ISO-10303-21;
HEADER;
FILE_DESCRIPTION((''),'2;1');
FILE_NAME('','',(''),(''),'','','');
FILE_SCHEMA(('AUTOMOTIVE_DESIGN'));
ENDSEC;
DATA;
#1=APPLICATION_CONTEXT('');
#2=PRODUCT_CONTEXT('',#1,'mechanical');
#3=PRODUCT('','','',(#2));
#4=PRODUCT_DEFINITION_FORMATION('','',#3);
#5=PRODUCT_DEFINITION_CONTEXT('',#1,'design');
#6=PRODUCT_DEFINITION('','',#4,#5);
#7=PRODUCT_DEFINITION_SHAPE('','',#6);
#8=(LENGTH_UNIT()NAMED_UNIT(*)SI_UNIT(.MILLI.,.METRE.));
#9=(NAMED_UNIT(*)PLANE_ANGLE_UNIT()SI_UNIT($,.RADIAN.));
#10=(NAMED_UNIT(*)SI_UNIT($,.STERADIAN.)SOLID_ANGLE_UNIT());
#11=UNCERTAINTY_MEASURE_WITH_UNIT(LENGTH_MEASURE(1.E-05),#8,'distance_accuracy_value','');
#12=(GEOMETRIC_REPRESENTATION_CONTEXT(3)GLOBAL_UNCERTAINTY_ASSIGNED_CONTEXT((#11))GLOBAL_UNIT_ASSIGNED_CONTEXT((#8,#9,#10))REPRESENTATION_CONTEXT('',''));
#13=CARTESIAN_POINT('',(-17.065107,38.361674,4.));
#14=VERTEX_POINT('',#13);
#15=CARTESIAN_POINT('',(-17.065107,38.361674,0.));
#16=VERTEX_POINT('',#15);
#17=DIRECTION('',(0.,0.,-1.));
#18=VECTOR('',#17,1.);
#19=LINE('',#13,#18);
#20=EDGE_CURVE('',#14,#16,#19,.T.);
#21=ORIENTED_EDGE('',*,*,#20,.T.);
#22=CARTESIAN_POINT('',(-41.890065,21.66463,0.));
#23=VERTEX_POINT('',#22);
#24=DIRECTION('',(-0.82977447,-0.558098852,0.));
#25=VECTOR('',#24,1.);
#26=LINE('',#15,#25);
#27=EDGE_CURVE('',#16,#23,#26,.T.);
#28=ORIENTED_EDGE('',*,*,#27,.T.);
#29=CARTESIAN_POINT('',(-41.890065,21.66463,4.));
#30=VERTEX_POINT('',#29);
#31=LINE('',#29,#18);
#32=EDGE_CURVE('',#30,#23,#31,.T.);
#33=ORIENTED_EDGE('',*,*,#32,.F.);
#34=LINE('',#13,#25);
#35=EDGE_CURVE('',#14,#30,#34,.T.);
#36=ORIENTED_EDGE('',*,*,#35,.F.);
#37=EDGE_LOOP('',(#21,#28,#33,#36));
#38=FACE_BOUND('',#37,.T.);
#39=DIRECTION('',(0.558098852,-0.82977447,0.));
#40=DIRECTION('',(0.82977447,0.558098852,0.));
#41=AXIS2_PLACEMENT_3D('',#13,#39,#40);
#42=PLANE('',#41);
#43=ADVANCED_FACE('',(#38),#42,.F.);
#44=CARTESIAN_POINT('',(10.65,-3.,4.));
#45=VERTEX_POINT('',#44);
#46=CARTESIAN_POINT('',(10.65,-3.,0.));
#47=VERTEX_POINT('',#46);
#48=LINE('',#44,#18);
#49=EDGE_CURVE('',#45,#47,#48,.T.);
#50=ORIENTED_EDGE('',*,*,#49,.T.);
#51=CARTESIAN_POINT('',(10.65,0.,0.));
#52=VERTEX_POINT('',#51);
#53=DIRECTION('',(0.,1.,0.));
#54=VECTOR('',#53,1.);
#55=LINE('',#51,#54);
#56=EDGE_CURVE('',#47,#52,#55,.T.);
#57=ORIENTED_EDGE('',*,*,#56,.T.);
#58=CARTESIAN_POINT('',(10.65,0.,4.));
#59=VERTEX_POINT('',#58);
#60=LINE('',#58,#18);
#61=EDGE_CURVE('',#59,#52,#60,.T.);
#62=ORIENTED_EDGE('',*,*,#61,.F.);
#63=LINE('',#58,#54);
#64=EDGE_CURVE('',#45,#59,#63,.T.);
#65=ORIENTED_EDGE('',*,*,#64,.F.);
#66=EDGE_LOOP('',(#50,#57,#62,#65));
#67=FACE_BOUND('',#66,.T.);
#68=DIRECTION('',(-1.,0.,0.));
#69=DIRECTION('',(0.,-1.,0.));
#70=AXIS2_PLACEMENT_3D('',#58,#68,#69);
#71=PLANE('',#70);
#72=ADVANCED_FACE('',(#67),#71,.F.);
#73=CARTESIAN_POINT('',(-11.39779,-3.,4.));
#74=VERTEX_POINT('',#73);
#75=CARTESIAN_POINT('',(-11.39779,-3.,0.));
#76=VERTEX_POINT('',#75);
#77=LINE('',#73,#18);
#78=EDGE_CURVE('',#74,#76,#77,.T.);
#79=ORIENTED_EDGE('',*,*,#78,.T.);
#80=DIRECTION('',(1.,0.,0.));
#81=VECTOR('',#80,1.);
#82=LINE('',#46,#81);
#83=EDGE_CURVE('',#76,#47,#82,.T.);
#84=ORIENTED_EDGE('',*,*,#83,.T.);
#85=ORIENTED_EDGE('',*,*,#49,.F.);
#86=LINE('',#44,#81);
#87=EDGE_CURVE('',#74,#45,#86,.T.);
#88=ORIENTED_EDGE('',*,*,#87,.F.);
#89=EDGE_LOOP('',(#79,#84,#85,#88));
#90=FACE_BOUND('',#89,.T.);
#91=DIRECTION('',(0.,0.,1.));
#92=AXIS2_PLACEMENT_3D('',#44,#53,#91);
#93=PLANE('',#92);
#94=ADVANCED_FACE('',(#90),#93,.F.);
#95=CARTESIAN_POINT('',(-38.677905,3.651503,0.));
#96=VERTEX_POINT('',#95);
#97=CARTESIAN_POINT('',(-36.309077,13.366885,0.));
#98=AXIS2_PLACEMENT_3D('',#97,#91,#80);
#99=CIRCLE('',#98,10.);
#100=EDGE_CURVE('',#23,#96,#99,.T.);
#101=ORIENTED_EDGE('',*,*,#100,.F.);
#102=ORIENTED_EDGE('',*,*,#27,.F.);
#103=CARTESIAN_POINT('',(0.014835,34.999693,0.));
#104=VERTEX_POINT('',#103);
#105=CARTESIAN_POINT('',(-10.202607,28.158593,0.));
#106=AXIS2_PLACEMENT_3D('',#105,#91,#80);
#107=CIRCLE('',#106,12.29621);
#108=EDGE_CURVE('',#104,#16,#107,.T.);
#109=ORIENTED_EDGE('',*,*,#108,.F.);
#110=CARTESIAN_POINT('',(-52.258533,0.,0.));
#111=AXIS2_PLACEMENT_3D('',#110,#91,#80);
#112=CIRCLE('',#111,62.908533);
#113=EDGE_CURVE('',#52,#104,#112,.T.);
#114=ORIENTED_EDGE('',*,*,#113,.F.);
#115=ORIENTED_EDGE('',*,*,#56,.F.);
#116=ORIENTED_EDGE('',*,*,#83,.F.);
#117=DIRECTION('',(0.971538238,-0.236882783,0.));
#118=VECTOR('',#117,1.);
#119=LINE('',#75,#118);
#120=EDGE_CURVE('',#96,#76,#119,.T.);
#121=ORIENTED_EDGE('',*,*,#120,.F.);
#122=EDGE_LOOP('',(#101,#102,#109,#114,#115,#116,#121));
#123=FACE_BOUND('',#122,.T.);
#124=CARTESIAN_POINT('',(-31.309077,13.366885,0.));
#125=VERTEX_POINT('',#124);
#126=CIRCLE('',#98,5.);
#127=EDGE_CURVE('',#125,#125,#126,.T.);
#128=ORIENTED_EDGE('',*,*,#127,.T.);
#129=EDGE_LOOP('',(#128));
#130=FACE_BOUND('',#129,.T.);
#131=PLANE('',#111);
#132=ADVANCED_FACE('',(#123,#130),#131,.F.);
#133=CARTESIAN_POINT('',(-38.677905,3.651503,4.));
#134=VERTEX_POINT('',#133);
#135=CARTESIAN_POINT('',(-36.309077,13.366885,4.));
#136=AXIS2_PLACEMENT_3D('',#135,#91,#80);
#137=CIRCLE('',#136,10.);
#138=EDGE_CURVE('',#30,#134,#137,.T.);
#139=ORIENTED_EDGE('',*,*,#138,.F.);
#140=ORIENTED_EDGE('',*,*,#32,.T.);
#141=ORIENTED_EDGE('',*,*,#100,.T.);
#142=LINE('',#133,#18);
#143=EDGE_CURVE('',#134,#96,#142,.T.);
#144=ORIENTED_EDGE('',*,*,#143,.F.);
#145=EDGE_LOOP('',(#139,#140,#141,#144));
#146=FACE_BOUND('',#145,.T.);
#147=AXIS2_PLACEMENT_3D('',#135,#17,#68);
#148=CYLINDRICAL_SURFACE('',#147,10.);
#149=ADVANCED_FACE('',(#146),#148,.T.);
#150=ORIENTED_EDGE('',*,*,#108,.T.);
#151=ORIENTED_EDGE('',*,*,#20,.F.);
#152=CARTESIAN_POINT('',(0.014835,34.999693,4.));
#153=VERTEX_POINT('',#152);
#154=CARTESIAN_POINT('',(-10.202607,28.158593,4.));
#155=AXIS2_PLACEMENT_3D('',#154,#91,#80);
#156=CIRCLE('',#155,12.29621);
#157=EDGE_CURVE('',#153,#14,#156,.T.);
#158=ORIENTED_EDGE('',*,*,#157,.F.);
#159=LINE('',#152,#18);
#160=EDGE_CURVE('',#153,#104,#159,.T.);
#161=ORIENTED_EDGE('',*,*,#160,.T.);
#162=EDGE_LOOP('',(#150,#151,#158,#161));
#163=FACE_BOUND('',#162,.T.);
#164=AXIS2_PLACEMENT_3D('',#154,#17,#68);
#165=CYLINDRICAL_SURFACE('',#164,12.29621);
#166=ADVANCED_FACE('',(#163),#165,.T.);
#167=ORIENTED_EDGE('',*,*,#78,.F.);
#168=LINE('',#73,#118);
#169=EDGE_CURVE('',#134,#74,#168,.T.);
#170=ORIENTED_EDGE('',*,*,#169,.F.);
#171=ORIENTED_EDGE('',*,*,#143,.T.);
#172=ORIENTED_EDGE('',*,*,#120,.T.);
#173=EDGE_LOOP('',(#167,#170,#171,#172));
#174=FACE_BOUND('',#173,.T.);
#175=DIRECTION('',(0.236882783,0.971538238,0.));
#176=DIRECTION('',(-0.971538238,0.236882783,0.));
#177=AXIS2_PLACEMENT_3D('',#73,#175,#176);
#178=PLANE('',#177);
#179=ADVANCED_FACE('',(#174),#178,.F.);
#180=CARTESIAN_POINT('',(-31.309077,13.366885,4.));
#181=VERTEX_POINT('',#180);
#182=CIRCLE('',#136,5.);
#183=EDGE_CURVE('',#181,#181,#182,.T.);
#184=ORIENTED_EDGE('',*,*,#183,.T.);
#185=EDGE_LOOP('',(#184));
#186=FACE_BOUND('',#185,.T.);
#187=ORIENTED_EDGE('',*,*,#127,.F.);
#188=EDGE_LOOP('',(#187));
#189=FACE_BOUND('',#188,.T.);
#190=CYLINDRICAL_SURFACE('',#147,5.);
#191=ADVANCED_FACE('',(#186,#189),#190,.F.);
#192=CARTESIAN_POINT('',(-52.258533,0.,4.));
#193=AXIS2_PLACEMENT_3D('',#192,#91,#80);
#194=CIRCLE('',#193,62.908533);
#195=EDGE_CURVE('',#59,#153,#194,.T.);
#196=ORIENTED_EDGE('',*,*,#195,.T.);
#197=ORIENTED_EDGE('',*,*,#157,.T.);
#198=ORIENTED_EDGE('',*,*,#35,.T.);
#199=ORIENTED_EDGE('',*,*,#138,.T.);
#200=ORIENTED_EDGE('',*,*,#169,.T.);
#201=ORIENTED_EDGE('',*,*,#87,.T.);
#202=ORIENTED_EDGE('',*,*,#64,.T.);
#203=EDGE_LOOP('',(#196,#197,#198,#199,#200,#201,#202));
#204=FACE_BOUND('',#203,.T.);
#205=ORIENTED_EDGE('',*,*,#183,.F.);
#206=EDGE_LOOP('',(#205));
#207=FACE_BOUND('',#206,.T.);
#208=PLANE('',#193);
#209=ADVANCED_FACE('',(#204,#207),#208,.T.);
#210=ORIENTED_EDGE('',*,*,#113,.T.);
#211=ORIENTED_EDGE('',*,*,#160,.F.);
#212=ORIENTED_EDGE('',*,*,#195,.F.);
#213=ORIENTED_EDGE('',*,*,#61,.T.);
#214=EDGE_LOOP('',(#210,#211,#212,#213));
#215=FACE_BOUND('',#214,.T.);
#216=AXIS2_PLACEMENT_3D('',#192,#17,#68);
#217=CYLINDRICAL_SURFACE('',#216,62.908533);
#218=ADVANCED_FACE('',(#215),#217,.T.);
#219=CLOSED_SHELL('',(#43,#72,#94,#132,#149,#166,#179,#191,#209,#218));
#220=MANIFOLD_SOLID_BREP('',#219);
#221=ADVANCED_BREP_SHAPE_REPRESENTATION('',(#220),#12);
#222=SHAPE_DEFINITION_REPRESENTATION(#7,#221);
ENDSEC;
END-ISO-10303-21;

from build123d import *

# Parameters (mm, degrees)
SKETCH_1_R      = 5
EXTRUDE_1_DEPTH = 4


with BuildPart() as part:
    # Эскиз1 → Бобышка-Вытянуть1 (new body)
    with BuildSketch(Plane.XY):
        with BuildLine():
            Line((10.65, 0), (10.65, -3))
            Line((10.65, -3), (-11.397789553, -3))
            Line((-11.397789553, -3), (-38.677904755, 3.651503117))
            ThreePointArc((-38.677904755, 3.651503117), (-46.153775079, 11.6113462), (-41.890065439, 21.664630197))
            Line((-41.890065439, 21.664630197), (-17.065107401, 38.361673869))
            ThreePointArc((-17.065107401, 38.361673869), (-7.827814909, 40.223299164), (0.014835138, 34.999692982))
            ThreePointArc((0.014835138, 34.999692982), (7.932514626, 18.289923732), (10.65, 0))
        make_face()
        with Locations((-36.309076923, 13.366885492)):
            Circle(SKETCH_1_R, mode=Mode.SUBTRACT)
    extrude(amount=EXTRUDE_1_DEPTH)


solid = part.part
